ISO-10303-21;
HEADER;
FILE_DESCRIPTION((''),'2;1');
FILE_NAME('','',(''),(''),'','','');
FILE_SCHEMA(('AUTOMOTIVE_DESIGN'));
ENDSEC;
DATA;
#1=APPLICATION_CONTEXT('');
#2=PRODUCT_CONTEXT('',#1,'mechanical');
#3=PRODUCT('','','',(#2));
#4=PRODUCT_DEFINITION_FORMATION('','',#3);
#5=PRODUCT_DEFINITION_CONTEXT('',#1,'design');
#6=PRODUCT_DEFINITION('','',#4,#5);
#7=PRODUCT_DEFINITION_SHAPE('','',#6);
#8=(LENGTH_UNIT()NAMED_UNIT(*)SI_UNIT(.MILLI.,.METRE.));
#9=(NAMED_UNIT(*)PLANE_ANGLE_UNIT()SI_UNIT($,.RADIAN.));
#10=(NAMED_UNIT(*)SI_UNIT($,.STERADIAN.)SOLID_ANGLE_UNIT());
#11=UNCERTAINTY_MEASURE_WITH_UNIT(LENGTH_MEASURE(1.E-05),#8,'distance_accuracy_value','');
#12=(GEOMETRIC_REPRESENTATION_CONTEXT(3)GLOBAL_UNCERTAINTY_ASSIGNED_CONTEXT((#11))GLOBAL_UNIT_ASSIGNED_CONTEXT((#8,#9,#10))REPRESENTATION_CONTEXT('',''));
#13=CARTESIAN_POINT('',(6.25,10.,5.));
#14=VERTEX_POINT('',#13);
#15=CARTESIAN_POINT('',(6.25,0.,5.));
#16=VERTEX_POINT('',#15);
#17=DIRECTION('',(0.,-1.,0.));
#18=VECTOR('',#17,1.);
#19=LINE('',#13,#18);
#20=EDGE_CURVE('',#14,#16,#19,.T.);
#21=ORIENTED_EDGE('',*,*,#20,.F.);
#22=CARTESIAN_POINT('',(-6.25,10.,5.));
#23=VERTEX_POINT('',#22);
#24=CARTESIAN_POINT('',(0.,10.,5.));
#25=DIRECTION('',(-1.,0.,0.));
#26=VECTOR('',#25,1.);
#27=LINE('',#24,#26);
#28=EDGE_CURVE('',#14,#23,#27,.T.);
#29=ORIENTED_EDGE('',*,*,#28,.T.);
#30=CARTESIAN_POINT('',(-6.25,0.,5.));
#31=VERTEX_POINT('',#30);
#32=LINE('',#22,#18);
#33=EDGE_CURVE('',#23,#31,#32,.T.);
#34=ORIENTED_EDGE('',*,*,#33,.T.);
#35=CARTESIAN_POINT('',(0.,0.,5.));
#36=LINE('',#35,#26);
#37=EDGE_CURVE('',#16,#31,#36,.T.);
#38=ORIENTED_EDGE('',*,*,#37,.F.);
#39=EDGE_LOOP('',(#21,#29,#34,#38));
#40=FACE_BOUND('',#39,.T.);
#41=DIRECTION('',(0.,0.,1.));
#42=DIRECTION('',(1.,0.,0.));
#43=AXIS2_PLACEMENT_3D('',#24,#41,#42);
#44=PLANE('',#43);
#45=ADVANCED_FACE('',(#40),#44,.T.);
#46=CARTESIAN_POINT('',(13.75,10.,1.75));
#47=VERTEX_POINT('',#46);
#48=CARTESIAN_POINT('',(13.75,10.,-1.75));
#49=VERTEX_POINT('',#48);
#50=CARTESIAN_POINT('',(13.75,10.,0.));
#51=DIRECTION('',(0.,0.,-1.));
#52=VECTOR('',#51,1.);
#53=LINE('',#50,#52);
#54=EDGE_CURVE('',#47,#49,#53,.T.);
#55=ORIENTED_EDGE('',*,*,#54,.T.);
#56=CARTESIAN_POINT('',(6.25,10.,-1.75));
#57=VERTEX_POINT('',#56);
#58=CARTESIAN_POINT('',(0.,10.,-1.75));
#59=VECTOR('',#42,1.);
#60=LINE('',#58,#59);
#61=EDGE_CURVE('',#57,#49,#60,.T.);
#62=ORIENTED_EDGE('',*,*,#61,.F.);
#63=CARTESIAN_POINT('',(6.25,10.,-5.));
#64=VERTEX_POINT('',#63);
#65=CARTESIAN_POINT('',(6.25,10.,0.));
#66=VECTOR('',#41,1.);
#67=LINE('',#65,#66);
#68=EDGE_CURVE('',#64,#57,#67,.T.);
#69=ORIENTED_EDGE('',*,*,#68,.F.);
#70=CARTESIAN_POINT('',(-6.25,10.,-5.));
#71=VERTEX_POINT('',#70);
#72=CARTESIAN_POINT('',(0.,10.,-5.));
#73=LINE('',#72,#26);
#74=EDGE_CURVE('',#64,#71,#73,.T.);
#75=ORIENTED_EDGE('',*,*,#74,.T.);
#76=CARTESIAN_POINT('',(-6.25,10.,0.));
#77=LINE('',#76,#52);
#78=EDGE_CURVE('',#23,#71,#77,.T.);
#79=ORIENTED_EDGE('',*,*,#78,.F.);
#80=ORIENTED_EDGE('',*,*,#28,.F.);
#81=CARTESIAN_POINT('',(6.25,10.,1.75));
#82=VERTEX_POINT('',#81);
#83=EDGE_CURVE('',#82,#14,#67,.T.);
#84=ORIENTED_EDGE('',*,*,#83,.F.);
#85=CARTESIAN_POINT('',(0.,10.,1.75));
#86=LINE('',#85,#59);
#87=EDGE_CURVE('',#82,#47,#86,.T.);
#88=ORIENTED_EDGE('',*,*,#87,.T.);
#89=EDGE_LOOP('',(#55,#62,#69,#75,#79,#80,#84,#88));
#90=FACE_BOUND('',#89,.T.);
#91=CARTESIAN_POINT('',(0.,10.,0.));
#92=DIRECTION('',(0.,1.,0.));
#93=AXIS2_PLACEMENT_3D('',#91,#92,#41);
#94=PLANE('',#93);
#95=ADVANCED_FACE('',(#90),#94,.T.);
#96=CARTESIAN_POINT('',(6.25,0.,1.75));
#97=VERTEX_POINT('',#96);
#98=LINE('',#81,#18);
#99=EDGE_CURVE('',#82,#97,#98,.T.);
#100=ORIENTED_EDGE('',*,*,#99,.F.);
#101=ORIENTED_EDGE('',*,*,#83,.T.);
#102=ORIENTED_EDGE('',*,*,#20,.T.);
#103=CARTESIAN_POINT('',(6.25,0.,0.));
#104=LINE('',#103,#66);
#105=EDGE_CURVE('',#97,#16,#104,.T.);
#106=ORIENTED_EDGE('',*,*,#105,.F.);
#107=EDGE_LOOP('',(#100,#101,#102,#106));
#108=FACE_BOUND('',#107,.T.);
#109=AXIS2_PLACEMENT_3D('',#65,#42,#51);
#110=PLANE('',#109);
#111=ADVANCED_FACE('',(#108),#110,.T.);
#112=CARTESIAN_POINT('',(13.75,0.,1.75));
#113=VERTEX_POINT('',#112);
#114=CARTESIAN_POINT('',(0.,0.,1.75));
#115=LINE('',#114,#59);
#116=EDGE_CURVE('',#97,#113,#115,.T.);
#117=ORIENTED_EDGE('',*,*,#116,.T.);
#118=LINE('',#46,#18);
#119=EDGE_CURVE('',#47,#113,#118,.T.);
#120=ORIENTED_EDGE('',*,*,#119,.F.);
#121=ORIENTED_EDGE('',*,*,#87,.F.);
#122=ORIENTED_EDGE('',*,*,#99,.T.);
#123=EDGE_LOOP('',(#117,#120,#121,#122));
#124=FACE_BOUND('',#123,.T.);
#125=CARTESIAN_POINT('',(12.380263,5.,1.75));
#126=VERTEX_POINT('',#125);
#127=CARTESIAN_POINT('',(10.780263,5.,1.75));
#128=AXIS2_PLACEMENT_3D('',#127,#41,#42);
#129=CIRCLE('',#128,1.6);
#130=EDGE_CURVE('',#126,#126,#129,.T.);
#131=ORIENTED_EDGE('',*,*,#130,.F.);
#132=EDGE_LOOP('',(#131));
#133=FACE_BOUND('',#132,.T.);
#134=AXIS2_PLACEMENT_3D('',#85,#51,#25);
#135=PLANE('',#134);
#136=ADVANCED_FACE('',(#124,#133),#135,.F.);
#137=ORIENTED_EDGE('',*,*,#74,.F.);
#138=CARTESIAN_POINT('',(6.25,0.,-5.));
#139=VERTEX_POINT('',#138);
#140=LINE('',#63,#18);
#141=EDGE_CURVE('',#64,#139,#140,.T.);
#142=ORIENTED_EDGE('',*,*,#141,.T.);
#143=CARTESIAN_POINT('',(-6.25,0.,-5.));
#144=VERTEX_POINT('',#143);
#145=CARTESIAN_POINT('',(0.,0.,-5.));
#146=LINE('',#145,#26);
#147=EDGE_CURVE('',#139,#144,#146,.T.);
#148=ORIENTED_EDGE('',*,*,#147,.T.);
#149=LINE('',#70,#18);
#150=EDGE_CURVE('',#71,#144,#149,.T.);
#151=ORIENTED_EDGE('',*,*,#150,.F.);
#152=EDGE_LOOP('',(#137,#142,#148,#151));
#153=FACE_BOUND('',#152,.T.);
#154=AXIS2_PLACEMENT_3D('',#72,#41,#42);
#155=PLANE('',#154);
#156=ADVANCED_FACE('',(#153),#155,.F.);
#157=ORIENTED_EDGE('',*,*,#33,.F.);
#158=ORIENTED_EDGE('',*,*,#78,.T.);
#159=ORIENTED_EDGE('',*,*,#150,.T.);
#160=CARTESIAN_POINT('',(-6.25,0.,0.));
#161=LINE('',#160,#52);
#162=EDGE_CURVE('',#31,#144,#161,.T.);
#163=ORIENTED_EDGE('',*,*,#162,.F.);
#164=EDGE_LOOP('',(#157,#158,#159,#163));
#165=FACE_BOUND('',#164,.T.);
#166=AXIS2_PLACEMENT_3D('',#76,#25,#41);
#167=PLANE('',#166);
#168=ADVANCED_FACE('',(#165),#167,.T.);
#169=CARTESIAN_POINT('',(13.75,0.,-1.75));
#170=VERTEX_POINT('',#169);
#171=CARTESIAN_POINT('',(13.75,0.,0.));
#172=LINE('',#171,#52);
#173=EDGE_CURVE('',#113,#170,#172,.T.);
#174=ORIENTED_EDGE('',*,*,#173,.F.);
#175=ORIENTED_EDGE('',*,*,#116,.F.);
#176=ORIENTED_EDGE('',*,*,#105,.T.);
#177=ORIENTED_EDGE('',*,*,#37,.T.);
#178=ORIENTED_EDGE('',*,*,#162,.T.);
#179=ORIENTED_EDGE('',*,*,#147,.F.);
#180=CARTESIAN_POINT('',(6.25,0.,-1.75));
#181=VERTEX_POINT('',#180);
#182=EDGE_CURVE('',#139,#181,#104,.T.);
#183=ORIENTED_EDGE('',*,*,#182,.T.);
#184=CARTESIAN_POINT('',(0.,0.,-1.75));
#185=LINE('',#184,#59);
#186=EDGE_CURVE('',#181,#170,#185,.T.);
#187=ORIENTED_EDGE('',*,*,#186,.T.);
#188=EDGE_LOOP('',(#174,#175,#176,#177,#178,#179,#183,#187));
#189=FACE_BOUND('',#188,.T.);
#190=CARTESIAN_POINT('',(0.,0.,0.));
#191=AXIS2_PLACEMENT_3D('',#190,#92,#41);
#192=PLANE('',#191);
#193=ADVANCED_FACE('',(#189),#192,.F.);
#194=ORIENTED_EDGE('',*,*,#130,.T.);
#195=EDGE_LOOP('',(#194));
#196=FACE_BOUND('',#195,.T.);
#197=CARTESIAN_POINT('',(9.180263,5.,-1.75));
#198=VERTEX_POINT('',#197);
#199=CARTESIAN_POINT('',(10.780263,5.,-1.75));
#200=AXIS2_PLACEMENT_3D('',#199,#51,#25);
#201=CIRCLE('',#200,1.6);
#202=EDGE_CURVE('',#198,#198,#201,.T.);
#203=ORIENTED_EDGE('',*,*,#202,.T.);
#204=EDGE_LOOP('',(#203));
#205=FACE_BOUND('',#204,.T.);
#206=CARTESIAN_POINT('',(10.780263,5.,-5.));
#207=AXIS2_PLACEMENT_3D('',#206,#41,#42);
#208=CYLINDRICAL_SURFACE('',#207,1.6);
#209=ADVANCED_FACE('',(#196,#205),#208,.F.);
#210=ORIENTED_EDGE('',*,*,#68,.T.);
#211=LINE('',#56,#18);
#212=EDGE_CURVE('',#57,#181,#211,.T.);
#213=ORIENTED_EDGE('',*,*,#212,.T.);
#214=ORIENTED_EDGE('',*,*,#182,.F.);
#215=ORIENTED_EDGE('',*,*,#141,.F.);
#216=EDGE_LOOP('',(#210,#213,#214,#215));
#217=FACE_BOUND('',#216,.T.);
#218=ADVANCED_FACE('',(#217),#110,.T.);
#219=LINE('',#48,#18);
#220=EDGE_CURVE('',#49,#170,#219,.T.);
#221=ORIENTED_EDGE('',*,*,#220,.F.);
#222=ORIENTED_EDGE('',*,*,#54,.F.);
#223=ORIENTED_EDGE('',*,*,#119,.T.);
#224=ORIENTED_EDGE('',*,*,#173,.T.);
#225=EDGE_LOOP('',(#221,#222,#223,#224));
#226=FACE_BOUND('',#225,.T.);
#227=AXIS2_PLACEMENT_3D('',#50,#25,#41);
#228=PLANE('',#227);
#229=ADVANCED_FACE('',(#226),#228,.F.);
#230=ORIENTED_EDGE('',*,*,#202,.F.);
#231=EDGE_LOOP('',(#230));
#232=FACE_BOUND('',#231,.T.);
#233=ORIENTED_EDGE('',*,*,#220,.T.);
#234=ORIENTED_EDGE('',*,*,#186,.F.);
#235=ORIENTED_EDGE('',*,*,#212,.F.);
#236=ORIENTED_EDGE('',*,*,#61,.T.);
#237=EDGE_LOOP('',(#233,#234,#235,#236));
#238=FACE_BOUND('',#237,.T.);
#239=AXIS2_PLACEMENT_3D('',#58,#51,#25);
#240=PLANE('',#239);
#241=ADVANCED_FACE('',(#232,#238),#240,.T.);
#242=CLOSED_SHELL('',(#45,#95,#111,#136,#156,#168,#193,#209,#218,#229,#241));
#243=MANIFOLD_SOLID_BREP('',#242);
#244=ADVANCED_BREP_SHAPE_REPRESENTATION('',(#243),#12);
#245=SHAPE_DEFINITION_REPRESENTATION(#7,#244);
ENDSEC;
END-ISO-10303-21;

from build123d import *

# Parameters (mm, degrees)
BOSS_EXTRUDE1_DEPTH = 10
SKETCH4_R           = 1.6
CUT_EXTRUDE2_DEPTH  = 7.75


with BuildPart() as part:
    # Sketch1 → Boss-Extrude1 (new body)
    with BuildSketch(Plane(origin=(0, 0, 0), x_dir=(1, 0, 0), z_dir=(0, 1, 0))):
        Polygon((6.25, 5), (6.25, 1.75), (13.75, 1.75), (13.75, -1.75), (6.25, -1.75), (6.25, -5), (-6.25, -5), (-6.25, 5), align=None)
    extrude(amount=BOSS_EXTRUDE1_DEPTH)

    # Sketch4 → Cut-Extrude2 (cut, through all)
    with BuildSketch(Plane.XY.offset(1.75)):
        with Locations((10.780263086, 5)):
            Circle(SKETCH4_R)
    extrude(amount=-CUT_EXTRUDE2_DEPTH, mode=Mode.SUBTRACT)


solid = part.part
